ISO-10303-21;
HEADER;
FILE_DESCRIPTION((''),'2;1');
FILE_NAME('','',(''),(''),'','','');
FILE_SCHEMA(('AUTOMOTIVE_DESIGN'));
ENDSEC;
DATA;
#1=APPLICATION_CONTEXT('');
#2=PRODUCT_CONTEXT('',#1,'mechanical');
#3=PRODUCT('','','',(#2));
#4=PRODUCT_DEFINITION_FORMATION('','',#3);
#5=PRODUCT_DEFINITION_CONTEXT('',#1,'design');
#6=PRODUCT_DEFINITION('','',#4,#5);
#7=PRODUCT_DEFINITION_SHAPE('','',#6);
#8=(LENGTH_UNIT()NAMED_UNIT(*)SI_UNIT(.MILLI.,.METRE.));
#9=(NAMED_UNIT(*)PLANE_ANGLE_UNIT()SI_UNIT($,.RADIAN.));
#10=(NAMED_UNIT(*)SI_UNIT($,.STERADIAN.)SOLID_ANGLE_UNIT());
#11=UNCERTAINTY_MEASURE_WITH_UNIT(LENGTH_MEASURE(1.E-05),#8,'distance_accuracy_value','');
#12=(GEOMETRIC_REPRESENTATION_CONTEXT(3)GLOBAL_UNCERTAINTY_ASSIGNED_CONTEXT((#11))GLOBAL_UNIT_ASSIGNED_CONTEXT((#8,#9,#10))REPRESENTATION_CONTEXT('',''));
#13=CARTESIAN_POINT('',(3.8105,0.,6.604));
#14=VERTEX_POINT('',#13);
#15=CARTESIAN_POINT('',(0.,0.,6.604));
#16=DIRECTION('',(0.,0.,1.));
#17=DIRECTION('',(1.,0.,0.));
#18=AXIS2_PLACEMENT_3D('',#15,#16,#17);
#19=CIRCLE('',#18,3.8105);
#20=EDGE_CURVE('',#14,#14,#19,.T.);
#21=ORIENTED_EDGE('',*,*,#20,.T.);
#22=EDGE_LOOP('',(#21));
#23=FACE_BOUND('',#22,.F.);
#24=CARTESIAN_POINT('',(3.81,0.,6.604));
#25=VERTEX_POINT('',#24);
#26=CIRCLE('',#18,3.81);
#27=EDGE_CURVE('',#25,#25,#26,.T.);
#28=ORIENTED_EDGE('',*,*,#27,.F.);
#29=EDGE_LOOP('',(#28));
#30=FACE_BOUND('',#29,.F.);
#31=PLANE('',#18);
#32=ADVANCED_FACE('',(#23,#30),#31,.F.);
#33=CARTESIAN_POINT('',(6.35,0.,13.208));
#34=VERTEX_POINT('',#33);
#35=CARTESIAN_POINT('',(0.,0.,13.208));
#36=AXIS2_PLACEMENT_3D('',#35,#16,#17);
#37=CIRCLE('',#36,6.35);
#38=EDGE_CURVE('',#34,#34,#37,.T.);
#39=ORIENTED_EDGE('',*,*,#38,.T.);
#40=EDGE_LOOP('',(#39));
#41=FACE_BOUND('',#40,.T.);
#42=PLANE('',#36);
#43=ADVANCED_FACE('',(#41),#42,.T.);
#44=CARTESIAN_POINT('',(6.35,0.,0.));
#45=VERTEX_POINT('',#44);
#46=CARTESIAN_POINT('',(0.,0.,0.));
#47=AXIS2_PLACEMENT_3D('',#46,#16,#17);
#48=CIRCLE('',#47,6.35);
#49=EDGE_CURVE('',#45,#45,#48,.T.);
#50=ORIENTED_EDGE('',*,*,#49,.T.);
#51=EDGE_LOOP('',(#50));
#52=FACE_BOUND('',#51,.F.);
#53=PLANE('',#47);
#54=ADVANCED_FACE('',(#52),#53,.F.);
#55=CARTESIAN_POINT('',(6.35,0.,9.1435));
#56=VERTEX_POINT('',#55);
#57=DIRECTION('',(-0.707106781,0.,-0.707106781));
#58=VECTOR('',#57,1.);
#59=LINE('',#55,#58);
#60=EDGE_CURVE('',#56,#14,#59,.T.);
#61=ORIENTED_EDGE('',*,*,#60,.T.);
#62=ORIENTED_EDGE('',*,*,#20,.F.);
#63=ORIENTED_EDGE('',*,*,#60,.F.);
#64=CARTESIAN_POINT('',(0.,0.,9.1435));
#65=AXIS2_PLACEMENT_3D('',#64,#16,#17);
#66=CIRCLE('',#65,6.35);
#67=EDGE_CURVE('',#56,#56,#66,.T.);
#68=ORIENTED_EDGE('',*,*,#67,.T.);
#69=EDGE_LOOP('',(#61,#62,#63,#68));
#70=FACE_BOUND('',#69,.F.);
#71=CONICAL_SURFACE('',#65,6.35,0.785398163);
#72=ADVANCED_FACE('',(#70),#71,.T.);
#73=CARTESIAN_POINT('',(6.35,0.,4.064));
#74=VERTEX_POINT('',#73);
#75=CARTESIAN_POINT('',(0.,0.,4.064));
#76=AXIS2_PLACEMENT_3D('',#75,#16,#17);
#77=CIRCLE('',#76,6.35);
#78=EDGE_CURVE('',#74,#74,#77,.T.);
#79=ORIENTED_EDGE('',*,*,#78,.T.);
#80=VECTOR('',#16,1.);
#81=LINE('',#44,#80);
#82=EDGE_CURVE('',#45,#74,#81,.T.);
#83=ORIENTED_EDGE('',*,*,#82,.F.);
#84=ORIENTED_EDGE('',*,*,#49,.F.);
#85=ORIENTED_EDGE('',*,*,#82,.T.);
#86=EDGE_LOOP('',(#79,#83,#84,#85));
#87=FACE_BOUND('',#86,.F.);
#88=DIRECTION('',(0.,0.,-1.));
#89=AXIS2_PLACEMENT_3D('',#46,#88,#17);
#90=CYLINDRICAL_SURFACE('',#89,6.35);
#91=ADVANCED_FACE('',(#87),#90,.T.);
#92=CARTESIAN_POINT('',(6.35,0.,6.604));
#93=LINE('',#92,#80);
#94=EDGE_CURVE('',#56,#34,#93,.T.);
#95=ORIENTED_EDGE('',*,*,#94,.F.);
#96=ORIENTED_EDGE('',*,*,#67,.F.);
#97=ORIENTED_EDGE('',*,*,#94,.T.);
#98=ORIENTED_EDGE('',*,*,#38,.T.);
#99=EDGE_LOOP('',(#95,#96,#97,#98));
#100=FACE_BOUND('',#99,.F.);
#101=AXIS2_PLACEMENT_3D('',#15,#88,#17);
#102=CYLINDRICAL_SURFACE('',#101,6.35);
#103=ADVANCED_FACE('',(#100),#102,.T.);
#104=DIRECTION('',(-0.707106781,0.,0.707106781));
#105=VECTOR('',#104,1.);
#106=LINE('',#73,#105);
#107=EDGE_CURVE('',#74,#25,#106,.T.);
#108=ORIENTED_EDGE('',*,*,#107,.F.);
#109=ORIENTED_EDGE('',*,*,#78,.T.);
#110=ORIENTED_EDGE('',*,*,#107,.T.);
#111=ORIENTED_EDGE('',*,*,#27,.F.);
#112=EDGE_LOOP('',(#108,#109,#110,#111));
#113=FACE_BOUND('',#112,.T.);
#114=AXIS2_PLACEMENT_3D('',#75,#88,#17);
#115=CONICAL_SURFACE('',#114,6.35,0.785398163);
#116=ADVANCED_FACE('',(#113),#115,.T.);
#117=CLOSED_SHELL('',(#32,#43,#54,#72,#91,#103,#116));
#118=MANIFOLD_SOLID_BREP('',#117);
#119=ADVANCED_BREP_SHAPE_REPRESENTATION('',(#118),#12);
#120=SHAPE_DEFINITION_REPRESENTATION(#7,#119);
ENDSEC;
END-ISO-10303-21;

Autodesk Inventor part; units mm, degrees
ref_plane "YZ Plane" through (0, 0, 0) normal (1, 0, 0) x (0, 1, 0)
ref_plane "XZ Plane" through (0, 0, 0) normal (0, 1, 0) x (-1, 0, 0)
ref_plane "XY Plane" through (0, 0, 0) normal (0, 0, 1) x (1, 0, 0)
sketch "Sketch1" plane through (0, 0, 0) normal (0, 0, 1) x (1, 0, 0)
  circle A0 centre (0, 0) radius 6.35
  dimension "d0" = 12.7
extrude "Extrusion1" add sketch "Sketch1" along normal blind 6.604
chamfer "Chamfer1" distance 2.54 angle 45 1 edges at (-6.35, 0, 6.604)
sketch "Sketch2" plane through (0, 0, 6.604) normal (0, 0, 1) x (1, 0, 0)
  circle A0 centre (0, 0) radius 6.35
  dimension "d6" = 12.7
extrude "Extrusion2" add sketch "Sketch2" along normal blind 6.604
chamfer "Chamfer2" distance 2.54 angle 45 1 edges at (-6.35, 0, 6.604)
properties part number "LiftPully" material "Aluminum 6061"
